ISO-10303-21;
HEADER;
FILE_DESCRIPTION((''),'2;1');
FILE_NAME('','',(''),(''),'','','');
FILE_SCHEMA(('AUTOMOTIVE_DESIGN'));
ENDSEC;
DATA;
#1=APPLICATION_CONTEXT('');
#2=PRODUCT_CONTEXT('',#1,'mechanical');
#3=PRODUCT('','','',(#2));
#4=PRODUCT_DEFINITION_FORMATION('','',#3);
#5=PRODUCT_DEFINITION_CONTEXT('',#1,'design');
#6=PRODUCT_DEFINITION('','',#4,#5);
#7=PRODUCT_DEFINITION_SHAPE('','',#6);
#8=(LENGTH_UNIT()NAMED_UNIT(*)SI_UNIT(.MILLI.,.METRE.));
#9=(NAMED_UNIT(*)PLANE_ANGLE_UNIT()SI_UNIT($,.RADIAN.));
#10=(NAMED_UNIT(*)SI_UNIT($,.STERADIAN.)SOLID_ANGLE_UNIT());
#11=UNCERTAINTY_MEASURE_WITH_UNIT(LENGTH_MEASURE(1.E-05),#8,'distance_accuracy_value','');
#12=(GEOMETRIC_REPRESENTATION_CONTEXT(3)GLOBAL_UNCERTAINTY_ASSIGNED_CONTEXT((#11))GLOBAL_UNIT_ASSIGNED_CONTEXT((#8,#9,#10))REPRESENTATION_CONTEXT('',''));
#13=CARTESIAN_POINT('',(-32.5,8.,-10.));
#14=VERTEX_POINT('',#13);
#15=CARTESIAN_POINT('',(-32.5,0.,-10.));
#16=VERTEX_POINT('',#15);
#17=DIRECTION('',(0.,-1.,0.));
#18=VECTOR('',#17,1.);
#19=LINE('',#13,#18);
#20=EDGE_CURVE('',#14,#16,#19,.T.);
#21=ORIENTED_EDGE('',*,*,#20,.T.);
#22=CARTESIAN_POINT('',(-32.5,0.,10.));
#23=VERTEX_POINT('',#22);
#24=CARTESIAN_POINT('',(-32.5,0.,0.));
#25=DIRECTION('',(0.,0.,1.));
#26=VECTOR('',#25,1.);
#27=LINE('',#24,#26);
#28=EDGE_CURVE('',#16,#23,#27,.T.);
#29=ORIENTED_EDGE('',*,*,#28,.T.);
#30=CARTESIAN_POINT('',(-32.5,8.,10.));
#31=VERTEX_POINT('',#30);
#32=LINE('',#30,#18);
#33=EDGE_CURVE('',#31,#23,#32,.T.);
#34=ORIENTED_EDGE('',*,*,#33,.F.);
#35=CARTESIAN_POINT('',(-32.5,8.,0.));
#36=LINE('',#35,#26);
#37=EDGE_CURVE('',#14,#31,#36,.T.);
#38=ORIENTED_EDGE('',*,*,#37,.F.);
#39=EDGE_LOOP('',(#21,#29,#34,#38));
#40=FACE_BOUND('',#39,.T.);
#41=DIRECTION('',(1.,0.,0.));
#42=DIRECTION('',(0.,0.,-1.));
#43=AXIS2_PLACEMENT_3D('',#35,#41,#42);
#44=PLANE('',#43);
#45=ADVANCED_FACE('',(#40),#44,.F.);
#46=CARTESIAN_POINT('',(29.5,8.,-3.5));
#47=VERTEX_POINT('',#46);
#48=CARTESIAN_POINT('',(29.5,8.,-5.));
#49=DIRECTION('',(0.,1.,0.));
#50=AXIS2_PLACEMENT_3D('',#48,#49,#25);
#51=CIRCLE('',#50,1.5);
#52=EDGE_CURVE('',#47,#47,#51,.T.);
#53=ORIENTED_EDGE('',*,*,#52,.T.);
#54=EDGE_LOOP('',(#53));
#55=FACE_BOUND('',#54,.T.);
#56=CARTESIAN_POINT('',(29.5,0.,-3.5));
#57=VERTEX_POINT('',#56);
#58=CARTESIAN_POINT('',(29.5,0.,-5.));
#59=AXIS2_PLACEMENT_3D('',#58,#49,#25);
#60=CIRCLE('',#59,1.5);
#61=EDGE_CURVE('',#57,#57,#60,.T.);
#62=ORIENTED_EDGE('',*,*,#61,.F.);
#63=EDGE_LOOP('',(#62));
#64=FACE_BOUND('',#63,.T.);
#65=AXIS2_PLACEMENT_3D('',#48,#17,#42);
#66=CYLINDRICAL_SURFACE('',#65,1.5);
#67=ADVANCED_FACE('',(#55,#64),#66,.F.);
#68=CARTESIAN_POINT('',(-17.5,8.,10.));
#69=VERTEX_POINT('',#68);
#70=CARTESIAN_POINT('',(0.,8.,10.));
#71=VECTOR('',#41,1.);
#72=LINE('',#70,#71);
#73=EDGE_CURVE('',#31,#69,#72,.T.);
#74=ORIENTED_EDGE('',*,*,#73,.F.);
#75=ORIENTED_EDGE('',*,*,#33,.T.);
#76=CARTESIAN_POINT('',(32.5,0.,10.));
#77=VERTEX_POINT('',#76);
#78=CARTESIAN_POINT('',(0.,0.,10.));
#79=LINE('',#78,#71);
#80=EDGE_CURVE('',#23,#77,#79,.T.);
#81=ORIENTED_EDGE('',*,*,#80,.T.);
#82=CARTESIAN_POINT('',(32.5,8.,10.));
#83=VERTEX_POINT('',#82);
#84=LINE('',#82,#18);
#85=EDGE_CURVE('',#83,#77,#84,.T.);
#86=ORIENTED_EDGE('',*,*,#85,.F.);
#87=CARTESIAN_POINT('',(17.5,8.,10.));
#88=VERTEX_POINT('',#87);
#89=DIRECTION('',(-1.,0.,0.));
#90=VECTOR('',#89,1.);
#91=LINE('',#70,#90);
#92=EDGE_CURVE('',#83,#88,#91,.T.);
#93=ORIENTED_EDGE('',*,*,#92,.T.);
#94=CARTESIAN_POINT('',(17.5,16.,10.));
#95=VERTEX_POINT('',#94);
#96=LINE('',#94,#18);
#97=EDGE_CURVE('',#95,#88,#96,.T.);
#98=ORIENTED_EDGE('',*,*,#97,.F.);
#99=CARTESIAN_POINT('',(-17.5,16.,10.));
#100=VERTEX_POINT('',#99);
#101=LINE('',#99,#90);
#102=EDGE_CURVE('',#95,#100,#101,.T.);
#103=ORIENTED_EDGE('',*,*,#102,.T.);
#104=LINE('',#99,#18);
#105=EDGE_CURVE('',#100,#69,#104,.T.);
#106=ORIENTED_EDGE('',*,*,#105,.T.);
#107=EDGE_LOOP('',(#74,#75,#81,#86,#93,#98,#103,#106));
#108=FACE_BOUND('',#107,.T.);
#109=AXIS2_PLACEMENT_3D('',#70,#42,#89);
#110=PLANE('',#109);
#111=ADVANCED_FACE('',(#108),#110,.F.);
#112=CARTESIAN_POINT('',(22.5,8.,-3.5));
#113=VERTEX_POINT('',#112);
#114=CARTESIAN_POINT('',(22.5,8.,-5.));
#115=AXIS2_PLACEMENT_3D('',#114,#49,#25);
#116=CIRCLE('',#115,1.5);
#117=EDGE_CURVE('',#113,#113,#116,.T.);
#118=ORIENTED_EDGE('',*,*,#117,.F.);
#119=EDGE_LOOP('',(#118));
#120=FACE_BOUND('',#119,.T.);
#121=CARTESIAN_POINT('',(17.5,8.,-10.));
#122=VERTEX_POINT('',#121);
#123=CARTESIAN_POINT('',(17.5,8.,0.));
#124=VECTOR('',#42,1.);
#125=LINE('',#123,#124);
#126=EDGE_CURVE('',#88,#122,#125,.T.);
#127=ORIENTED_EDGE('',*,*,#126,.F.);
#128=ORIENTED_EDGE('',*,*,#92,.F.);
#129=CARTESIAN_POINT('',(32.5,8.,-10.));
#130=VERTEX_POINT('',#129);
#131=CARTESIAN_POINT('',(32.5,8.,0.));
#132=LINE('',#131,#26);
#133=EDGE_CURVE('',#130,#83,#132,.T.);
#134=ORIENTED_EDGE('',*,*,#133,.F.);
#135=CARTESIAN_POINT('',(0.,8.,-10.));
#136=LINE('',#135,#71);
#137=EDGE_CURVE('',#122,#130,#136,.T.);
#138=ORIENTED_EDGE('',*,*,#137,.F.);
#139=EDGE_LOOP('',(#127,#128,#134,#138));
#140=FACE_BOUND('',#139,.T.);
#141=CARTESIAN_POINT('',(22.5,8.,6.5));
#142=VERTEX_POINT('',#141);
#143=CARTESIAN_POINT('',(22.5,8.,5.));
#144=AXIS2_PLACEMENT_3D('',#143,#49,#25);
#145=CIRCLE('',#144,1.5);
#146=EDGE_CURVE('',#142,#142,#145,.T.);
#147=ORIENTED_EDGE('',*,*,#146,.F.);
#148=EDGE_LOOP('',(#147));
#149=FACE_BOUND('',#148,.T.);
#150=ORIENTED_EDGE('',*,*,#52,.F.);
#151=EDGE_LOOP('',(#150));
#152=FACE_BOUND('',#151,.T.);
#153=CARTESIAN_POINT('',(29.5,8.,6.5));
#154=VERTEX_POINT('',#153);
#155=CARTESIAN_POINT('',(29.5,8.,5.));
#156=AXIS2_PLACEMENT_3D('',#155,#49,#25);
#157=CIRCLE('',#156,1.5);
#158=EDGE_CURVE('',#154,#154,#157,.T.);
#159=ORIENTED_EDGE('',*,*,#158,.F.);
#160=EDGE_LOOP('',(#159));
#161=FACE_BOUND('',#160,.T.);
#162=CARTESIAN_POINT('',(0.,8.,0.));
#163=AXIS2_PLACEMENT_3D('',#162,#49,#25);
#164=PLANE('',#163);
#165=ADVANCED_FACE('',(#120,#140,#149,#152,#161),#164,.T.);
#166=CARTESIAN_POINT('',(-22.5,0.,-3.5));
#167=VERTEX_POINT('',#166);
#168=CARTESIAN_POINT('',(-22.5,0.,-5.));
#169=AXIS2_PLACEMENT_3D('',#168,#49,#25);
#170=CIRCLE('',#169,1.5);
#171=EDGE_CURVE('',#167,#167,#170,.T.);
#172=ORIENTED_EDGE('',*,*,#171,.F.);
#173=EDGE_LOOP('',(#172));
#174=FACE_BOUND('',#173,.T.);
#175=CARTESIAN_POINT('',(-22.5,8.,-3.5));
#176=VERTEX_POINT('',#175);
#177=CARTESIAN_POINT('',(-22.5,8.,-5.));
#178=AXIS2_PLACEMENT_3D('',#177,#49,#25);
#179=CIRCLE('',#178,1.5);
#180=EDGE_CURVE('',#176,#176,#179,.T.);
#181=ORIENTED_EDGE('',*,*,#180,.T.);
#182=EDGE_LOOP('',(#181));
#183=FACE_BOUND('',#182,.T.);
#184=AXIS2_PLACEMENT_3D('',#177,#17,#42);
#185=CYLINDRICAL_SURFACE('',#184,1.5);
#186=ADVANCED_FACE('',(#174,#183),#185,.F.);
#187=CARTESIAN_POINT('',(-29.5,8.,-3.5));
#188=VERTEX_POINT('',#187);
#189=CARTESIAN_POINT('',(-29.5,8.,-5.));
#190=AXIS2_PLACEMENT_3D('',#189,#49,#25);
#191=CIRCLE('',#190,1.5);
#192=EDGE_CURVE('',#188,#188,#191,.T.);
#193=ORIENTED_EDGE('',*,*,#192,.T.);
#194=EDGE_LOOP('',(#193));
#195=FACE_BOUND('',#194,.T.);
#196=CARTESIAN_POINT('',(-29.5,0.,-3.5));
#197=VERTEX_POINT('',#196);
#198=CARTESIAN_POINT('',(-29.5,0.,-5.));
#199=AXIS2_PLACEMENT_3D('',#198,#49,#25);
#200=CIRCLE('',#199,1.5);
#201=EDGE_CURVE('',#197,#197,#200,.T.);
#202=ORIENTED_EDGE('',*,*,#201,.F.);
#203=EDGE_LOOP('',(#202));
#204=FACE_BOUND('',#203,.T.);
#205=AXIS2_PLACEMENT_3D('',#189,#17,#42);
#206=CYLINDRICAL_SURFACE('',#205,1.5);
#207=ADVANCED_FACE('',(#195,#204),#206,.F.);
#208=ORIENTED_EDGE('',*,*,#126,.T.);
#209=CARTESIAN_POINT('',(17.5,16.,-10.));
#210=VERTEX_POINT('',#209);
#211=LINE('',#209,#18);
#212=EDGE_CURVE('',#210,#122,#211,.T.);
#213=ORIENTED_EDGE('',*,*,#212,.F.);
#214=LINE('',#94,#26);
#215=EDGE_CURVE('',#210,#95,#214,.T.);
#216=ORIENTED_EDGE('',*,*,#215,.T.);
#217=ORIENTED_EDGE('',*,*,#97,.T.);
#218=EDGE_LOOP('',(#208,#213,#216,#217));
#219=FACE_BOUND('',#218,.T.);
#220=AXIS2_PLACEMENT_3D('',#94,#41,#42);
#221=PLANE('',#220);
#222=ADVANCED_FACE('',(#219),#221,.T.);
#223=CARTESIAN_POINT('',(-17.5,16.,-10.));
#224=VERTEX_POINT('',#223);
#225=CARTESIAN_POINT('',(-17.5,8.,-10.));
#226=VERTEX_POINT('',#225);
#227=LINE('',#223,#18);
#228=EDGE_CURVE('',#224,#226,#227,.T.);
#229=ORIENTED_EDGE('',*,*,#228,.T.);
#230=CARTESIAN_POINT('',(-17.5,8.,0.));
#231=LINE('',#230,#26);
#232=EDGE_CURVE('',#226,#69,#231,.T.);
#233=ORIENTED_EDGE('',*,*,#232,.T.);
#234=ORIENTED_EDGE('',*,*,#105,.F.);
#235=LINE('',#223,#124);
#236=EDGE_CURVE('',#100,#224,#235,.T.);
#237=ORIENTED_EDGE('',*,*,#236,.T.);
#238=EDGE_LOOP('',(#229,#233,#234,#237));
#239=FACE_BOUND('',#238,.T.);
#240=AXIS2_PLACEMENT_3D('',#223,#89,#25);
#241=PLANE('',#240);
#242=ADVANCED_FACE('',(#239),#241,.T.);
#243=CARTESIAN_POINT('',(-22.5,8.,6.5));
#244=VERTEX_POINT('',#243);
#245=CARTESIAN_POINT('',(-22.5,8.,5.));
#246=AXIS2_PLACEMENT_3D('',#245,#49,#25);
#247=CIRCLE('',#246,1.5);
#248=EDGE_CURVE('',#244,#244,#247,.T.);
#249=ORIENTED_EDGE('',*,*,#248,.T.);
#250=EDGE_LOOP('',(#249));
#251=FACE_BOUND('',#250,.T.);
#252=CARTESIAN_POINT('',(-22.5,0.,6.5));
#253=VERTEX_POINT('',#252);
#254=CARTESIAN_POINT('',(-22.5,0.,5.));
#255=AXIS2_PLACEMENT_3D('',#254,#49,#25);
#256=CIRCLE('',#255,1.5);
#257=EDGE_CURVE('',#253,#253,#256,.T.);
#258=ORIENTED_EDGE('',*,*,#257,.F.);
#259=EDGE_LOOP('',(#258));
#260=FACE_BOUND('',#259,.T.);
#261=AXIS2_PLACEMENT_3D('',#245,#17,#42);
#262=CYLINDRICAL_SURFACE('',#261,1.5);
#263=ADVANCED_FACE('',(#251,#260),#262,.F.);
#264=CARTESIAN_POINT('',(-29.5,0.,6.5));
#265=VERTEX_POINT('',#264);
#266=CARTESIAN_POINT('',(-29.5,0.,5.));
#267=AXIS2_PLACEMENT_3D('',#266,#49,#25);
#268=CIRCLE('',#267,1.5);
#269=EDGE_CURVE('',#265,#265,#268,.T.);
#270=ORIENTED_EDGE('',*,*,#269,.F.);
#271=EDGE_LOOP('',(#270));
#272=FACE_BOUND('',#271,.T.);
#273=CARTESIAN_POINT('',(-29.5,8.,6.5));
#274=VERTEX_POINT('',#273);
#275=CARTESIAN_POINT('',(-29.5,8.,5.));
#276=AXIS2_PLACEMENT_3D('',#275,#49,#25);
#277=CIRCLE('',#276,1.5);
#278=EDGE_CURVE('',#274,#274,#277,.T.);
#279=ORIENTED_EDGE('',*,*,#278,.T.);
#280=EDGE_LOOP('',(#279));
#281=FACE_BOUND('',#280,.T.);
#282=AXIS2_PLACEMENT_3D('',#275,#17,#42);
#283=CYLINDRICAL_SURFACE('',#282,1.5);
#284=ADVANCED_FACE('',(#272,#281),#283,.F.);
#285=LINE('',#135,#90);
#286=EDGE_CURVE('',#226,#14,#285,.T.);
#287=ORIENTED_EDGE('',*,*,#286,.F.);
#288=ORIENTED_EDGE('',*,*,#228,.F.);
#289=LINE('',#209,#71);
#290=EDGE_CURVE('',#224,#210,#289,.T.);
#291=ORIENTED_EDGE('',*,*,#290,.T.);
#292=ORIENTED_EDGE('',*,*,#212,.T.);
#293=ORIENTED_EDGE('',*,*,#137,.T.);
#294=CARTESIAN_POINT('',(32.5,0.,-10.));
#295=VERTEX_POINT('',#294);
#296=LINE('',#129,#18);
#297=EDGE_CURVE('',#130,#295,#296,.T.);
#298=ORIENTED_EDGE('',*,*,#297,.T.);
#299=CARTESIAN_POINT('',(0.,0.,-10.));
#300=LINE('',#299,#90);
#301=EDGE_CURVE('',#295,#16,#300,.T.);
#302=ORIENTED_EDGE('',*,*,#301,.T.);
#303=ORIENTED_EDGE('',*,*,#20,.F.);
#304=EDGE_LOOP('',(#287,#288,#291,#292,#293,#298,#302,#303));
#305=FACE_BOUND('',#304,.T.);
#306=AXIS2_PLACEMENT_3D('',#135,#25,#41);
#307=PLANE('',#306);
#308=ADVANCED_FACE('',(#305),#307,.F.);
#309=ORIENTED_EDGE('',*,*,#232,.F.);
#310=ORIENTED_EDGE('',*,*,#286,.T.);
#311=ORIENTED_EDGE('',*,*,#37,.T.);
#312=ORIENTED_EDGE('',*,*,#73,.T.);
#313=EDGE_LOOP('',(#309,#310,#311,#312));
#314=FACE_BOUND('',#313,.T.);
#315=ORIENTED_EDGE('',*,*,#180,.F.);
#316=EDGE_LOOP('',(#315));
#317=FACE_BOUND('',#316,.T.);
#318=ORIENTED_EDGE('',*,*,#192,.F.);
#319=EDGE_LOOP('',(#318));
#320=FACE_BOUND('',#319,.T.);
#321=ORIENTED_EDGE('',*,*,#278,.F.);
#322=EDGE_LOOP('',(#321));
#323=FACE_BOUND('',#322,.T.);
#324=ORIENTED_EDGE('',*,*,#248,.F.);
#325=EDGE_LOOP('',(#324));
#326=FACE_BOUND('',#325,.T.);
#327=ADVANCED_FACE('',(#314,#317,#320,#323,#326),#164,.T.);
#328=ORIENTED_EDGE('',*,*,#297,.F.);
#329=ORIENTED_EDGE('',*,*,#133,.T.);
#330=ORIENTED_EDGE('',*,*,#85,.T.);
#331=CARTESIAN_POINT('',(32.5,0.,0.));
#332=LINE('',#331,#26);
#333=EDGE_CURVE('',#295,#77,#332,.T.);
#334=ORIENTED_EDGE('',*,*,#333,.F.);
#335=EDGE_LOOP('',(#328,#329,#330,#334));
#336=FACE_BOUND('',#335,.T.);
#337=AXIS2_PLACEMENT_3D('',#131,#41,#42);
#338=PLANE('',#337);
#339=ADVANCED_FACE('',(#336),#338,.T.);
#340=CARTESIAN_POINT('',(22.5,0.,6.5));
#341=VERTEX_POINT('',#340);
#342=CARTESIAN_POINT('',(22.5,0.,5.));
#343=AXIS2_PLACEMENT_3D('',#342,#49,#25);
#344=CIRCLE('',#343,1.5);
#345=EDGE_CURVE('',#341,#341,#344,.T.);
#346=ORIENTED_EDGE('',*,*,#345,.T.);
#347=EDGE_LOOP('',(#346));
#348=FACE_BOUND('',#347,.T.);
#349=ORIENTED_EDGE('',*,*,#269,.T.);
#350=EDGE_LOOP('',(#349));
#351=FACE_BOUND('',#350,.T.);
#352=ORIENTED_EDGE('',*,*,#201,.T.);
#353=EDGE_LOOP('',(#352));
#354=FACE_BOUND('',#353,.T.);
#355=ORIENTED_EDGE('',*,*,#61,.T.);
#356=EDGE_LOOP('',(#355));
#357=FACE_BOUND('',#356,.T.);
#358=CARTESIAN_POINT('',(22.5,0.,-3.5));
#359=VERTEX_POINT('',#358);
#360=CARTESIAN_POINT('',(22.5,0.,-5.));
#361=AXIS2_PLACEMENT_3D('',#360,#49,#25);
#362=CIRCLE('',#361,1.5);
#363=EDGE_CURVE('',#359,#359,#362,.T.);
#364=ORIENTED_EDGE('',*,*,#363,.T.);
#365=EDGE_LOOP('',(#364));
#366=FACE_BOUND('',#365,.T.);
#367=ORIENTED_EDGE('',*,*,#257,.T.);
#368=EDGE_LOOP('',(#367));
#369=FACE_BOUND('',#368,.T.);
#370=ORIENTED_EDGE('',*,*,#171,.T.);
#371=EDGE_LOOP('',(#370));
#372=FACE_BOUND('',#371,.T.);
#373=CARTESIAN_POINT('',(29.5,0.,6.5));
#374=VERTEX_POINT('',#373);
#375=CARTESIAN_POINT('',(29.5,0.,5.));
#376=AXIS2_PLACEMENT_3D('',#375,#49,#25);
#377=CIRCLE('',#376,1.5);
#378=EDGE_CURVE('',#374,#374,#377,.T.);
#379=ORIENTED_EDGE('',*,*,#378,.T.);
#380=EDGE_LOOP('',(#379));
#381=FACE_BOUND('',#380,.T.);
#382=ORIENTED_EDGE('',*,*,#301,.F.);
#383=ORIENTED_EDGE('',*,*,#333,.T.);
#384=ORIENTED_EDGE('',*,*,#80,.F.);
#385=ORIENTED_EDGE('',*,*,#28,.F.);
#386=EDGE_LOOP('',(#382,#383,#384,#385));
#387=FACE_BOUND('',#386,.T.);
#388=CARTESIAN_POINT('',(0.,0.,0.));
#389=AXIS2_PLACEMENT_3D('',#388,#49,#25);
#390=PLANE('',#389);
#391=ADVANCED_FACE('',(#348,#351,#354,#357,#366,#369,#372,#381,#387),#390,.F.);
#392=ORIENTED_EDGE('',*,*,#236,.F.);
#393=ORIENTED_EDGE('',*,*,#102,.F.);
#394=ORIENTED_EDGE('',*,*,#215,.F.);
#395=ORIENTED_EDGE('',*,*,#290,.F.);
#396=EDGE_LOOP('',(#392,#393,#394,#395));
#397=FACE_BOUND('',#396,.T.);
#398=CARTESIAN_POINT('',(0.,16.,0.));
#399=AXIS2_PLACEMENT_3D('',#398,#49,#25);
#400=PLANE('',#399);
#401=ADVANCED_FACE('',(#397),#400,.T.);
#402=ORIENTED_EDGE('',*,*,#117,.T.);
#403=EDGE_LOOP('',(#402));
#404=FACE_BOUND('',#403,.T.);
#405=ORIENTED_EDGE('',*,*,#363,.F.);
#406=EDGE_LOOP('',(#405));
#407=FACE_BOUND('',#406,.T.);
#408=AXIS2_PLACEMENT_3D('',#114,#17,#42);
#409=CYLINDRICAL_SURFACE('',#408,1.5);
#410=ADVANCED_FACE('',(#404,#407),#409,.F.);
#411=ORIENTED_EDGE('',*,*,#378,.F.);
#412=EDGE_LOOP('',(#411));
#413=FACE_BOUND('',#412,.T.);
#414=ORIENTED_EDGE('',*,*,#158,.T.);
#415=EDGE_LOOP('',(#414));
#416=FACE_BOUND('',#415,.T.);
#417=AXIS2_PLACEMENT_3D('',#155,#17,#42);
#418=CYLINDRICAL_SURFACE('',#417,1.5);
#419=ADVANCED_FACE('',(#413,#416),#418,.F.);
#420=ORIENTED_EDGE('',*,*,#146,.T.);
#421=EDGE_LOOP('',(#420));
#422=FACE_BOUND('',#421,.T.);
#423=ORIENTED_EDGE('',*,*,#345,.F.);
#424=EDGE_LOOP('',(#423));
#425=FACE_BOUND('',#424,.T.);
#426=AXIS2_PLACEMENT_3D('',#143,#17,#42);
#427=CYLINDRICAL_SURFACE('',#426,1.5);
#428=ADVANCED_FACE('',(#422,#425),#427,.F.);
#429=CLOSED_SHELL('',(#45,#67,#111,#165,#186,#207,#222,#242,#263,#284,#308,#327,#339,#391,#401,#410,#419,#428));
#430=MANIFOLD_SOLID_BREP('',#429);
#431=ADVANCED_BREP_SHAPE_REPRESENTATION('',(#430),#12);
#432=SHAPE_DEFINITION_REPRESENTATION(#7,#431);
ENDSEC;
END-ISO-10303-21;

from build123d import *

# Parameters (mm, degrees)
SKETCH1_R             = 1.5
BOSS_EXTRUDE3_DEPTH   = 8
BOSS_EXTRUDE3_2_DEPTH = 8
SKETCH4_W             = 35
SKETCH4_H             = 20
BOSS_EXTRUDE4_DEPTH   = 16


with BuildPart() as part:
    # Sketch1 → Boss-Extrude3 (new body)
    with BuildSketch(Plane(origin=(0, 0, 0), x_dir=(1, 0, 0), z_dir=(0, 1, 0))):
        Polygon((32.5, -10), (32.5, 10), (17.5, 10), (17.5, 5), (17.5, -5), (17.5, -10), align=None)
        with BuildLine():
            ThreePointArc((24, -5), (22.5, -6.5), (21, -5))
            ThreePointArc((21, -5), (22.5, -3.5), (24, -5))
        make_face(mode=Mode.SUBTRACT)
        with Locations((29.5, -5)):
            Circle(SKETCH1_R, mode=Mode.SUBTRACT)
        with BuildLine():
            ThreePointArc((24, 5), (22.5, 3.5), (21, 5))
            ThreePointArc((21, 5), (22.5, 6.5), (24, 5))
        make_face(mode=Mode.SUBTRACT)
        with Locations((29.5, 5)):
            Circle(SKETCH1_R, mode=Mode.SUBTRACT)
    extrude(amount=BOSS_EXTRUDE3_DEPTH)



with BuildPart() as body_2:
    # Sketch1 → Boss-Extrude3 2 (new body)
    with BuildSketch(Plane(origin=(0, 0, 0), x_dir=(1, 0, 0), z_dir=(0, 1, 0))):
        Polygon((-17.5, 5), (-17.5, 10), (-32.5, 10), (-32.5, -10), (-17.5, -10), align=None)
        with BuildLine():
            ThreePointArc((-28, -5), (-30.560660172, -6.060660172), (-29.5, -3.5))
            ThreePointArc((-29.5, -3.5), (-28.439339828, -3.939339828), (-28, -5))
        make_face(mode=Mode.SUBTRACT)
        with Locations((-22.5, -5)):
            Circle(SKETCH1_R, mode=Mode.SUBTRACT)
        with BuildLine():
            ThreePointArc((-29.5, 3.5), (-30.560660172, 6.060660172), (-28, 5))
            ThreePointArc((-28, 5), (-28.439339828, 3.939339828), (-29.5, 3.5))
        make_face(mode=Mode.SUBTRACT)
        with BuildLine():
            ThreePointArc((-24, 5), (-22.5, 6.5), (-21, 5))
            ThreePointArc((-21, 5), (-22.5, 3.5), (-24, 5))
        make_face(mode=Mode.SUBTRACT)
    extrude(amount=BOSS_EXTRUDE3_2_DEPTH)


with BuildPart() as part_1:
    add(part.part)

    add(body_2.part)  # Boss-Extrude4 merges body 2
    # Sketch4 → Boss-Extrude4 (add)
    with BuildSketch(Plane.XZ):
        Rectangle(SKETCH4_W, SKETCH4_H)
    extrude(amount=-BOSS_EXTRUDE4_DEPTH)


solid = part_1.part
